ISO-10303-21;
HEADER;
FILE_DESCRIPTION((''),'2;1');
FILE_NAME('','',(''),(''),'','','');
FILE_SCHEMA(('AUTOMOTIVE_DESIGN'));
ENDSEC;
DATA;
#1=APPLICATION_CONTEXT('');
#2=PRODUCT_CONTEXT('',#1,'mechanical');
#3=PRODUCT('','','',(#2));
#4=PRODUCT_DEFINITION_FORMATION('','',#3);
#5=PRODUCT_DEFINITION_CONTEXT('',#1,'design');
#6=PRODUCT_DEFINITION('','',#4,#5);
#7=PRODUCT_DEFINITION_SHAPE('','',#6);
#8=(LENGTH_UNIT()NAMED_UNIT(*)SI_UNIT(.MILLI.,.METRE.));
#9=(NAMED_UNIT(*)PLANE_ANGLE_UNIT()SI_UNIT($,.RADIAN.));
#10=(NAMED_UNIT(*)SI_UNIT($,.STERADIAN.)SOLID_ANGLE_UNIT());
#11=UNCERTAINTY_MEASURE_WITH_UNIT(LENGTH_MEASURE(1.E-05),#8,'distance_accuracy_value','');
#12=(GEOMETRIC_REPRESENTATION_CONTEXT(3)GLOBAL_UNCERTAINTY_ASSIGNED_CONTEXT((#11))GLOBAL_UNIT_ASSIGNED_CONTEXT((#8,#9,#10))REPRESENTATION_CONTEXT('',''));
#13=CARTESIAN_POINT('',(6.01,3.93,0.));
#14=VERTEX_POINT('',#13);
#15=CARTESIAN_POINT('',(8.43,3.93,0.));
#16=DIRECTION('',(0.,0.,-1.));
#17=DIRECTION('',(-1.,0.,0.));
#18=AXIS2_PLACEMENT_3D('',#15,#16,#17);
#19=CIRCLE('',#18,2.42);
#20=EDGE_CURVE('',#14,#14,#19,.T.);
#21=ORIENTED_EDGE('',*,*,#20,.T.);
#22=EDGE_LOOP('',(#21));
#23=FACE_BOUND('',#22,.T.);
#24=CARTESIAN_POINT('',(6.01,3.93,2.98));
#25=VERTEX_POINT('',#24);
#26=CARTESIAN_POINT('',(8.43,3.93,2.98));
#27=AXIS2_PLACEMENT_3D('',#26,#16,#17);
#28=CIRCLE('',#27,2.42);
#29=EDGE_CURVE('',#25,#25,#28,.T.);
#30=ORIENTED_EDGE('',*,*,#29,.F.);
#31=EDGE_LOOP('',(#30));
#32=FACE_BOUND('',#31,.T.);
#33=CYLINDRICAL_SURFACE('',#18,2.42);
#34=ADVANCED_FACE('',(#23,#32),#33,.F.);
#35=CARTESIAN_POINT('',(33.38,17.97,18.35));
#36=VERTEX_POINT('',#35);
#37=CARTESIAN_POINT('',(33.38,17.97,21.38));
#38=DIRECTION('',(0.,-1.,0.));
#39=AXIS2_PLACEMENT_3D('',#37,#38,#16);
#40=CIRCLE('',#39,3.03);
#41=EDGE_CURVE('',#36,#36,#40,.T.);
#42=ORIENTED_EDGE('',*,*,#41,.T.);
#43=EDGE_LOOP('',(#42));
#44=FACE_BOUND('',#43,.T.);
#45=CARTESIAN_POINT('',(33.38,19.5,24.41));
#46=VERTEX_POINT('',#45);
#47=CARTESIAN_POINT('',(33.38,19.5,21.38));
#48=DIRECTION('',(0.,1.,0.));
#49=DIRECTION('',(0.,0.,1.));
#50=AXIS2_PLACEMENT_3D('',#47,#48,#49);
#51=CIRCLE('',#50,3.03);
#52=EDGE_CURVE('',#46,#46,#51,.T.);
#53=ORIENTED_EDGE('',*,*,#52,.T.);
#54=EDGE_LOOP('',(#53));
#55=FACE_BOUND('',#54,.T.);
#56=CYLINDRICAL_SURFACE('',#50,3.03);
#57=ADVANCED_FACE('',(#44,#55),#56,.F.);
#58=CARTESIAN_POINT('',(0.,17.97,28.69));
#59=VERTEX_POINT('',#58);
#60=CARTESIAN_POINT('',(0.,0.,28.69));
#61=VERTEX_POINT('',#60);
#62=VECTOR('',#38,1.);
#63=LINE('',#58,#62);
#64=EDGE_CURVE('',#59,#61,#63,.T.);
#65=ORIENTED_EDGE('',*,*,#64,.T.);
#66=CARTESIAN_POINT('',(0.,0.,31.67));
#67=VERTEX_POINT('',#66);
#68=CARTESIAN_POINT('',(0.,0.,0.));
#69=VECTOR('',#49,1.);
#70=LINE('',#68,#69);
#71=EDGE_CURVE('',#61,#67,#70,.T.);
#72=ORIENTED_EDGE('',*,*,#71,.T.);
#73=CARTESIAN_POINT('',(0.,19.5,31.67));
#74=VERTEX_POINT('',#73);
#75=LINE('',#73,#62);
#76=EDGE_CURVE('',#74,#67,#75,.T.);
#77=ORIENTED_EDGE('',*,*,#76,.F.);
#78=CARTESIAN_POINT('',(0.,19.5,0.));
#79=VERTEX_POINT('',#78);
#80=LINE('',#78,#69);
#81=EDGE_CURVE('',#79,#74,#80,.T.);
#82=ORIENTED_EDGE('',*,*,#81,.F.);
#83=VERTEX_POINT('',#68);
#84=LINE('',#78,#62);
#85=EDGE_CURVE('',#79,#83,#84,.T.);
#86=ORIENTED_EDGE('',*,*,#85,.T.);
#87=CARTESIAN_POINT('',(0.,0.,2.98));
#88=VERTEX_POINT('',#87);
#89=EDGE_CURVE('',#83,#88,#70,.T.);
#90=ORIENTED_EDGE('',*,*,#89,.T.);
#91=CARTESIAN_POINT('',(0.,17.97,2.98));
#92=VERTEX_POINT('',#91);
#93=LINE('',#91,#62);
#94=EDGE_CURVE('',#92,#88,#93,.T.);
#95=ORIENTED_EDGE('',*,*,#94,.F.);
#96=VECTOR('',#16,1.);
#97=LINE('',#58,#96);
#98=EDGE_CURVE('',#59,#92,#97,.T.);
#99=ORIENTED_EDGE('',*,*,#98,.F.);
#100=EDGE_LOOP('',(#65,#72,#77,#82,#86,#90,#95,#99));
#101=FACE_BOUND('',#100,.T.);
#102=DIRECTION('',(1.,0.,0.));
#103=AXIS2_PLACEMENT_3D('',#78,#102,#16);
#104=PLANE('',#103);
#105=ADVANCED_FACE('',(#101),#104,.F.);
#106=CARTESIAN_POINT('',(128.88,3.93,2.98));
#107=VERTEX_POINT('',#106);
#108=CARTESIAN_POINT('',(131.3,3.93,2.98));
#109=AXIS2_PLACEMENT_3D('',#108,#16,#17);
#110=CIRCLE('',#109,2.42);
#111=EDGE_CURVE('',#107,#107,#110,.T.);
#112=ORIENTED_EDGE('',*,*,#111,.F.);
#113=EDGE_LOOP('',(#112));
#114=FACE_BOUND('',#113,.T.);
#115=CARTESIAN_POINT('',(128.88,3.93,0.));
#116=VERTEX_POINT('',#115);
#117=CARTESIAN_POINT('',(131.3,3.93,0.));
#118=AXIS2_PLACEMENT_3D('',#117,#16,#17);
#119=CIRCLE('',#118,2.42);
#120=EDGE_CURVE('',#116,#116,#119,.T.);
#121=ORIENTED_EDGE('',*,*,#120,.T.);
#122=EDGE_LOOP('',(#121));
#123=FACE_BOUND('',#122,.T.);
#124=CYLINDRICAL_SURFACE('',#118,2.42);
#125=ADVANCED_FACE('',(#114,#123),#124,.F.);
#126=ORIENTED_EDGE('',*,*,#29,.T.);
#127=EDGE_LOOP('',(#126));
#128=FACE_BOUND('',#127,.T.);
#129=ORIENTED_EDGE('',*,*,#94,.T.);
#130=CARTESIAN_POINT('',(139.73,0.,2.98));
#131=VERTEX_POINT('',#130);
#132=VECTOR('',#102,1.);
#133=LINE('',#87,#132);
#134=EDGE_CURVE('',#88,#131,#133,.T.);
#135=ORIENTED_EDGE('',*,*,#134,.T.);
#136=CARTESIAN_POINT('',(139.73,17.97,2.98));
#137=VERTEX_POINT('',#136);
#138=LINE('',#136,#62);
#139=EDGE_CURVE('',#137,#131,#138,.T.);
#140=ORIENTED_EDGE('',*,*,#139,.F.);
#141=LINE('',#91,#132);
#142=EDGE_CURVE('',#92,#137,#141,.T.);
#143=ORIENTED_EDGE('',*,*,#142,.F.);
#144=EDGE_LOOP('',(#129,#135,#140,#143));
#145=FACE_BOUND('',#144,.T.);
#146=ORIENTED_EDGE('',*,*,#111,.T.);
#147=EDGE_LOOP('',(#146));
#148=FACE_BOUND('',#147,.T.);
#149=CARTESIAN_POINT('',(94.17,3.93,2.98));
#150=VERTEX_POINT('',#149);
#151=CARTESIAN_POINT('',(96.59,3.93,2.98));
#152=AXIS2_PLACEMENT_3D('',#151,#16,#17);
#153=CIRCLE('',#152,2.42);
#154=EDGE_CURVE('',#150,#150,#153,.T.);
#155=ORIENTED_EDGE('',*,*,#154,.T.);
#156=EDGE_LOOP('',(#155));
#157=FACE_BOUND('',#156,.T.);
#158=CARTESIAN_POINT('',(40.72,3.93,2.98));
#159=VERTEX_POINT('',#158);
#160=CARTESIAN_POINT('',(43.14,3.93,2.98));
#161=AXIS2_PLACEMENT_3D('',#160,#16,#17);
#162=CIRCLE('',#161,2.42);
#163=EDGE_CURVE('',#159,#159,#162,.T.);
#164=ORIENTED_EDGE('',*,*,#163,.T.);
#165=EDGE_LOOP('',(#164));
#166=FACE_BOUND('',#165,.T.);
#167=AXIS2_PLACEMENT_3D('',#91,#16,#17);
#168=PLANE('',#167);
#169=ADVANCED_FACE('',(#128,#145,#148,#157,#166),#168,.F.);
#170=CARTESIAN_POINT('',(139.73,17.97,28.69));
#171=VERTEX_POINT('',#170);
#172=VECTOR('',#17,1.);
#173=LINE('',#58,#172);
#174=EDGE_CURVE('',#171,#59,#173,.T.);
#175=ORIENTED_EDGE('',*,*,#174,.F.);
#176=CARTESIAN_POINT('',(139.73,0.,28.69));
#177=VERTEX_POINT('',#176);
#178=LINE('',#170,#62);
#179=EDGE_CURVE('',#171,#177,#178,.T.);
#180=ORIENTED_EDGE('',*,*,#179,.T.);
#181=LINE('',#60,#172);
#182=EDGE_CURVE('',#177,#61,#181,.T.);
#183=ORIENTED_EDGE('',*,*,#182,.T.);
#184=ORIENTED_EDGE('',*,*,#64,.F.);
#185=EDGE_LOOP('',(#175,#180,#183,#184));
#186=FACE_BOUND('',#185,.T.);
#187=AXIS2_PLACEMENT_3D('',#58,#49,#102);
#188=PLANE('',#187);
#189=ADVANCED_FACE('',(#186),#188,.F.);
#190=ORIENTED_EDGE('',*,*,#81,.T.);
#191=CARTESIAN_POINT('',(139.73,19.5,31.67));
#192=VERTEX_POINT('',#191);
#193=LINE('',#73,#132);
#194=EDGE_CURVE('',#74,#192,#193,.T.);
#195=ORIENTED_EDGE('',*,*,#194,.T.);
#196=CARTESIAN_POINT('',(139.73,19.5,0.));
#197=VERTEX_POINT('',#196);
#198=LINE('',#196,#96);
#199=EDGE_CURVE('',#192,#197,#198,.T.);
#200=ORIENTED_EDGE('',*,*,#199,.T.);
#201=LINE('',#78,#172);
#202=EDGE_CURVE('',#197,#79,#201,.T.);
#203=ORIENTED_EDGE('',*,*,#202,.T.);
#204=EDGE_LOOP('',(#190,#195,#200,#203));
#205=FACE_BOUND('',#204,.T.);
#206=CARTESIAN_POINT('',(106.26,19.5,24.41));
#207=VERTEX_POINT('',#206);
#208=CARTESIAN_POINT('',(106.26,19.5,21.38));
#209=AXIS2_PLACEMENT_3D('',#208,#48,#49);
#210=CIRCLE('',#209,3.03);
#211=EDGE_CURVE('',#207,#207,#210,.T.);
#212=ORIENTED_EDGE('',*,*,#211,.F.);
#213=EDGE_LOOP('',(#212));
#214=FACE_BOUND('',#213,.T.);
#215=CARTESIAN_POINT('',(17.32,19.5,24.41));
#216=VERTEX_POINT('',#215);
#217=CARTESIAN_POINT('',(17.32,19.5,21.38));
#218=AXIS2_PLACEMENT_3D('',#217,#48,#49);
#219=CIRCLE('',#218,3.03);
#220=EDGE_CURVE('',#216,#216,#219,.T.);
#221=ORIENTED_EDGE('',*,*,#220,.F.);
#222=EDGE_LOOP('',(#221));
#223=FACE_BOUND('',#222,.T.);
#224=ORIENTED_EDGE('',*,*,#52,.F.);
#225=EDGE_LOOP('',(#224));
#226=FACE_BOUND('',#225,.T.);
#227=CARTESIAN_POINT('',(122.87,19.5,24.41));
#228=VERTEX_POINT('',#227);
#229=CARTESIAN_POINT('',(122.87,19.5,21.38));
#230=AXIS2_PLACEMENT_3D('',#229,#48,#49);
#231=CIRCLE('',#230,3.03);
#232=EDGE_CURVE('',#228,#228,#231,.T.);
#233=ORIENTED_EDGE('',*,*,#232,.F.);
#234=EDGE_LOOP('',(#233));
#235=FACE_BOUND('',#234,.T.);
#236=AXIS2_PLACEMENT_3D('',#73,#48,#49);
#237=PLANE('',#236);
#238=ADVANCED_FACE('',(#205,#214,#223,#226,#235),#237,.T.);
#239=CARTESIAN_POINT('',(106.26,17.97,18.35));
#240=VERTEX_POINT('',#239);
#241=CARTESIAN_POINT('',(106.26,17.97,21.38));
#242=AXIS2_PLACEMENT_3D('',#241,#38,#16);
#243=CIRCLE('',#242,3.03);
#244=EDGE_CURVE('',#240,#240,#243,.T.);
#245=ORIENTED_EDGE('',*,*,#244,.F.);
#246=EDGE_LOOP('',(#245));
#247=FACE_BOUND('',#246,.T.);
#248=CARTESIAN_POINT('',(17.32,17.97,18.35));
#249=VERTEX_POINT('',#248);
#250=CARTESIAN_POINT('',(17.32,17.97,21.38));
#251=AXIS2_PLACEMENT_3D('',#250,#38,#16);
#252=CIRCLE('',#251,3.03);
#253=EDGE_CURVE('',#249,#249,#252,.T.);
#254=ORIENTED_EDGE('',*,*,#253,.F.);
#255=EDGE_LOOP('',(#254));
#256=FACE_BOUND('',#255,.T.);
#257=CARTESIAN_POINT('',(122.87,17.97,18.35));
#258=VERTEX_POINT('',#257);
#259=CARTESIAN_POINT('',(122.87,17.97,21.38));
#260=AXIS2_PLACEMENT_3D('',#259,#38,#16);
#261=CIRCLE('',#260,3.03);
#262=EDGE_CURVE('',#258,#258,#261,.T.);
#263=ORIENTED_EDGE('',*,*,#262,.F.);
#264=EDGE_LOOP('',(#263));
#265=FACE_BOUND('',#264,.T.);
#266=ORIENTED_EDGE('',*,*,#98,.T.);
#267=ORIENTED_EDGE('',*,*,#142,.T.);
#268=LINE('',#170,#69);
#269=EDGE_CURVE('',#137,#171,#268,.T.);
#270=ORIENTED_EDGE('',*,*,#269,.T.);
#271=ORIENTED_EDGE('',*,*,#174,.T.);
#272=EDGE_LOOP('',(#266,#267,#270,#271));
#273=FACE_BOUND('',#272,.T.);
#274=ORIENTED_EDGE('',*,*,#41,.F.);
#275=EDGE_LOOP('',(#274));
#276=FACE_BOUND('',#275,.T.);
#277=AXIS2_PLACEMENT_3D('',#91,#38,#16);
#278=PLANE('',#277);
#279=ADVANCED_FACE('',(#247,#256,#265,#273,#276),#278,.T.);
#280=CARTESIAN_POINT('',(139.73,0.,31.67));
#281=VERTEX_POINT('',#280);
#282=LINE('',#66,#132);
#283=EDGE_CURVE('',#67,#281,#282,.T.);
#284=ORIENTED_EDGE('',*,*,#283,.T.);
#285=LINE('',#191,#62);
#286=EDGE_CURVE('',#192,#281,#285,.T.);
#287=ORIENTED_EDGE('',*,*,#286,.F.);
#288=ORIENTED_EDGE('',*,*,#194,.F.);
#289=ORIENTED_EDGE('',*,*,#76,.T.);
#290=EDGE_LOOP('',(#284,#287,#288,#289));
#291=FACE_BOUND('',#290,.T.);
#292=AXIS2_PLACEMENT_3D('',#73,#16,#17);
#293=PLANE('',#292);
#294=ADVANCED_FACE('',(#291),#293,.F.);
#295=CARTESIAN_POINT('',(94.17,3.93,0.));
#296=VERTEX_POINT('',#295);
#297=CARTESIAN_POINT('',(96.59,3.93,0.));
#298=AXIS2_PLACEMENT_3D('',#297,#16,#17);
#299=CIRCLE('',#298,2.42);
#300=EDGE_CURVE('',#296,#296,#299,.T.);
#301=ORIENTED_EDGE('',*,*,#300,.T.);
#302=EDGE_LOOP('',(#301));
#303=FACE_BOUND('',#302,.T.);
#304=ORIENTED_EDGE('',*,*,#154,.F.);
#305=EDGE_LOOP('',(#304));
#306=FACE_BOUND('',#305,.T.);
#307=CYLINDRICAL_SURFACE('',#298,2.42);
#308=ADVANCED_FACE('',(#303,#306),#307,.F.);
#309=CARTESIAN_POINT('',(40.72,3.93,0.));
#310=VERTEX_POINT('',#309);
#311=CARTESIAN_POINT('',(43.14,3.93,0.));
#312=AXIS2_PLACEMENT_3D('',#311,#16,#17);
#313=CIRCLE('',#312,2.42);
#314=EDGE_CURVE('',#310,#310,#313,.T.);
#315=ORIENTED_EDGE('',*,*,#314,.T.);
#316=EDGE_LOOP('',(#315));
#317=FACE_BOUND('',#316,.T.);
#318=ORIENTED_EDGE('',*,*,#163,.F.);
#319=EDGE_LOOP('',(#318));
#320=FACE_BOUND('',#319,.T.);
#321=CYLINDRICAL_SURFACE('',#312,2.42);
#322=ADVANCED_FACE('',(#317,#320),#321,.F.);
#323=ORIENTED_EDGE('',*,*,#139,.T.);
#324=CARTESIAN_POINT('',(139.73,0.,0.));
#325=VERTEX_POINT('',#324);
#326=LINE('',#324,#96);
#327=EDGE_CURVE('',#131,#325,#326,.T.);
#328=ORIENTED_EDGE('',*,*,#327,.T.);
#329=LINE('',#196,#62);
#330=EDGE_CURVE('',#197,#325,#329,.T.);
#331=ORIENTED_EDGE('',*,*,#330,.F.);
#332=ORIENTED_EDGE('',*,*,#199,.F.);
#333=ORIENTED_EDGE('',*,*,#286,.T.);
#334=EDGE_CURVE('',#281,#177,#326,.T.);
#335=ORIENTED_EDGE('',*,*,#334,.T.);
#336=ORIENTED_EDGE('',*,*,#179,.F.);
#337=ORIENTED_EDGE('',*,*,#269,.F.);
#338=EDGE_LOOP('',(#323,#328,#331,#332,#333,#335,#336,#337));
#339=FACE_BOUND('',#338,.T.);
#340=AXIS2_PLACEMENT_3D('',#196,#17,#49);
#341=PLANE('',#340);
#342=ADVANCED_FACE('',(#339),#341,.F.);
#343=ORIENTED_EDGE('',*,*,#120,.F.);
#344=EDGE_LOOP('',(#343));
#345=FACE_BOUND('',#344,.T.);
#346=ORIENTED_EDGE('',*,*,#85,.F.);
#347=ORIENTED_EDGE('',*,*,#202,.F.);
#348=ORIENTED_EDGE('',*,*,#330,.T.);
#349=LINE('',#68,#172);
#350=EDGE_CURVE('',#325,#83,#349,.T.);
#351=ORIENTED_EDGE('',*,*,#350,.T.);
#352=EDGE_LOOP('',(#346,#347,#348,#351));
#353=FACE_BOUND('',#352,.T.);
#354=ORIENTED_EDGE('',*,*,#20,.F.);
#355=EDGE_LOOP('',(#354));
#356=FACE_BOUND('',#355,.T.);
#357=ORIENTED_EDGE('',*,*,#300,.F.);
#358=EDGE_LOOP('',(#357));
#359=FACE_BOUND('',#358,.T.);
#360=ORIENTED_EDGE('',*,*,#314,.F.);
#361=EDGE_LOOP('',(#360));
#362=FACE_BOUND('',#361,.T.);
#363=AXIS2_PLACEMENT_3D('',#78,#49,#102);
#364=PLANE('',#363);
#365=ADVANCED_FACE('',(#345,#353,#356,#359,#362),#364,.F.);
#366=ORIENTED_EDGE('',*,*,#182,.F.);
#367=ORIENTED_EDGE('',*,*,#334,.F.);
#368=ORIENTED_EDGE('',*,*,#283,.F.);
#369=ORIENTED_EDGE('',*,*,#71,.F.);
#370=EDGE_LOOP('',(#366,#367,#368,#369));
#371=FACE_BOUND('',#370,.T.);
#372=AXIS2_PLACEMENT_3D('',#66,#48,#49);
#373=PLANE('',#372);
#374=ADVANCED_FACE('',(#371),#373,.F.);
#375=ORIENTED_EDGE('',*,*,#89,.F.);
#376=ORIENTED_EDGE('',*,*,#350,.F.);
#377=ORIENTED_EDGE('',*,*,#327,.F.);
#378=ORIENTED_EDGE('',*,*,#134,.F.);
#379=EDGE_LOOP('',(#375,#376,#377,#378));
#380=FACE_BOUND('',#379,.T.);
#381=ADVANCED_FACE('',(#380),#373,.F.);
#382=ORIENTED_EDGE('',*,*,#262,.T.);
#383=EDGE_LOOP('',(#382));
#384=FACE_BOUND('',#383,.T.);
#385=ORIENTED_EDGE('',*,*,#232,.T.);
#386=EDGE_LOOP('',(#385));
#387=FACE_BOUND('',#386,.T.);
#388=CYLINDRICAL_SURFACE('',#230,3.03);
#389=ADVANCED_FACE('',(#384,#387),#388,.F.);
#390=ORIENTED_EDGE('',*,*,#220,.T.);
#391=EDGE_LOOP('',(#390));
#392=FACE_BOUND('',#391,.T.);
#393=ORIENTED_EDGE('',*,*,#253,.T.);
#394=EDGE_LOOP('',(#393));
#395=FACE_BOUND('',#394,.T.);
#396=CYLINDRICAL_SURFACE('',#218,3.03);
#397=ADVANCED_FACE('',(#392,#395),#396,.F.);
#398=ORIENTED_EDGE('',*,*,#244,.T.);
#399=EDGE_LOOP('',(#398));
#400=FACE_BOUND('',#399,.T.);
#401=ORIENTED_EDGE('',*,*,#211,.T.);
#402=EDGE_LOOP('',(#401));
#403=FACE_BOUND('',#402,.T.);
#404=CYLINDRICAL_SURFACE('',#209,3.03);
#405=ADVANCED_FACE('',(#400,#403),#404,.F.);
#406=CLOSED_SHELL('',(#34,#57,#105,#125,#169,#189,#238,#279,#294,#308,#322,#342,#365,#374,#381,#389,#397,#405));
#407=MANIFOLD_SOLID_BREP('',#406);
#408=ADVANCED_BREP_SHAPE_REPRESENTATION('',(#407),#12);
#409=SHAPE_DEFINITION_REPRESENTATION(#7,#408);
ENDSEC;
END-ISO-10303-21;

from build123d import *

# Parameters (mm, degrees)
SKETCH1_W           = 139.73
SKETCH1_H           = 31.67
BOSS_EXTRUDE1_DEPTH = 19.5
SKETCH2_W           = 139.73
SKETCH2_H           = 25.71
CUT_EXTRUDE1_DEPTH  = 17.97
HOLE1_D             = 4.84
HOLE1_DEPTH         = 2.98
HOLE2_D             = 6.06
HOLE2_DEPTH         = 1.53


with BuildPart() as part:
    # Sketch1 → Boss-Extrude1 (new body)
    with BuildSketch(Plane(origin=(0, 0, 0), x_dir=(1, 0, 0), z_dir=(0, 1, 0))):
        with Locations((69.865, -15.835)):
            Rectangle(SKETCH1_W, SKETCH1_H)
    extrude(amount=BOSS_EXTRUDE1_DEPTH)

    # Sketch2 → Cut-Extrude1 (cut)
    with BuildSketch(Plane.XZ):
        with Locations((69.865, 15.835)):
            Rectangle(SKETCH2_W, SKETCH2_H)
    extrude(amount=-CUT_EXTRUDE1_DEPTH, mode=Mode.SUBTRACT)

    # Hole1
    with Locations(Plane(origin=(0, 0, 0), x_dir=(-1, 0, 0), z_dir=(0, 0, -1))):
        with Locations((-131.3, 3.93), (-96.59, 3.93), (-43.14, 3.93), (-8.43, 3.93)):
            Hole(HOLE1_D / 2, depth=HOLE1_DEPTH)

    # Hole2
    with Locations(Plane(origin=(0, 19.5, 0), x_dir=(-1, 0, 0), z_dir=(0, 1, 0))):
        with Locations((-122.87, 21.38), (-106.26, 21.38), (-33.38, 21.38), (-17.32, 21.38)):
            Hole(HOLE2_D / 2, depth=HOLE2_DEPTH)


solid = part.part
